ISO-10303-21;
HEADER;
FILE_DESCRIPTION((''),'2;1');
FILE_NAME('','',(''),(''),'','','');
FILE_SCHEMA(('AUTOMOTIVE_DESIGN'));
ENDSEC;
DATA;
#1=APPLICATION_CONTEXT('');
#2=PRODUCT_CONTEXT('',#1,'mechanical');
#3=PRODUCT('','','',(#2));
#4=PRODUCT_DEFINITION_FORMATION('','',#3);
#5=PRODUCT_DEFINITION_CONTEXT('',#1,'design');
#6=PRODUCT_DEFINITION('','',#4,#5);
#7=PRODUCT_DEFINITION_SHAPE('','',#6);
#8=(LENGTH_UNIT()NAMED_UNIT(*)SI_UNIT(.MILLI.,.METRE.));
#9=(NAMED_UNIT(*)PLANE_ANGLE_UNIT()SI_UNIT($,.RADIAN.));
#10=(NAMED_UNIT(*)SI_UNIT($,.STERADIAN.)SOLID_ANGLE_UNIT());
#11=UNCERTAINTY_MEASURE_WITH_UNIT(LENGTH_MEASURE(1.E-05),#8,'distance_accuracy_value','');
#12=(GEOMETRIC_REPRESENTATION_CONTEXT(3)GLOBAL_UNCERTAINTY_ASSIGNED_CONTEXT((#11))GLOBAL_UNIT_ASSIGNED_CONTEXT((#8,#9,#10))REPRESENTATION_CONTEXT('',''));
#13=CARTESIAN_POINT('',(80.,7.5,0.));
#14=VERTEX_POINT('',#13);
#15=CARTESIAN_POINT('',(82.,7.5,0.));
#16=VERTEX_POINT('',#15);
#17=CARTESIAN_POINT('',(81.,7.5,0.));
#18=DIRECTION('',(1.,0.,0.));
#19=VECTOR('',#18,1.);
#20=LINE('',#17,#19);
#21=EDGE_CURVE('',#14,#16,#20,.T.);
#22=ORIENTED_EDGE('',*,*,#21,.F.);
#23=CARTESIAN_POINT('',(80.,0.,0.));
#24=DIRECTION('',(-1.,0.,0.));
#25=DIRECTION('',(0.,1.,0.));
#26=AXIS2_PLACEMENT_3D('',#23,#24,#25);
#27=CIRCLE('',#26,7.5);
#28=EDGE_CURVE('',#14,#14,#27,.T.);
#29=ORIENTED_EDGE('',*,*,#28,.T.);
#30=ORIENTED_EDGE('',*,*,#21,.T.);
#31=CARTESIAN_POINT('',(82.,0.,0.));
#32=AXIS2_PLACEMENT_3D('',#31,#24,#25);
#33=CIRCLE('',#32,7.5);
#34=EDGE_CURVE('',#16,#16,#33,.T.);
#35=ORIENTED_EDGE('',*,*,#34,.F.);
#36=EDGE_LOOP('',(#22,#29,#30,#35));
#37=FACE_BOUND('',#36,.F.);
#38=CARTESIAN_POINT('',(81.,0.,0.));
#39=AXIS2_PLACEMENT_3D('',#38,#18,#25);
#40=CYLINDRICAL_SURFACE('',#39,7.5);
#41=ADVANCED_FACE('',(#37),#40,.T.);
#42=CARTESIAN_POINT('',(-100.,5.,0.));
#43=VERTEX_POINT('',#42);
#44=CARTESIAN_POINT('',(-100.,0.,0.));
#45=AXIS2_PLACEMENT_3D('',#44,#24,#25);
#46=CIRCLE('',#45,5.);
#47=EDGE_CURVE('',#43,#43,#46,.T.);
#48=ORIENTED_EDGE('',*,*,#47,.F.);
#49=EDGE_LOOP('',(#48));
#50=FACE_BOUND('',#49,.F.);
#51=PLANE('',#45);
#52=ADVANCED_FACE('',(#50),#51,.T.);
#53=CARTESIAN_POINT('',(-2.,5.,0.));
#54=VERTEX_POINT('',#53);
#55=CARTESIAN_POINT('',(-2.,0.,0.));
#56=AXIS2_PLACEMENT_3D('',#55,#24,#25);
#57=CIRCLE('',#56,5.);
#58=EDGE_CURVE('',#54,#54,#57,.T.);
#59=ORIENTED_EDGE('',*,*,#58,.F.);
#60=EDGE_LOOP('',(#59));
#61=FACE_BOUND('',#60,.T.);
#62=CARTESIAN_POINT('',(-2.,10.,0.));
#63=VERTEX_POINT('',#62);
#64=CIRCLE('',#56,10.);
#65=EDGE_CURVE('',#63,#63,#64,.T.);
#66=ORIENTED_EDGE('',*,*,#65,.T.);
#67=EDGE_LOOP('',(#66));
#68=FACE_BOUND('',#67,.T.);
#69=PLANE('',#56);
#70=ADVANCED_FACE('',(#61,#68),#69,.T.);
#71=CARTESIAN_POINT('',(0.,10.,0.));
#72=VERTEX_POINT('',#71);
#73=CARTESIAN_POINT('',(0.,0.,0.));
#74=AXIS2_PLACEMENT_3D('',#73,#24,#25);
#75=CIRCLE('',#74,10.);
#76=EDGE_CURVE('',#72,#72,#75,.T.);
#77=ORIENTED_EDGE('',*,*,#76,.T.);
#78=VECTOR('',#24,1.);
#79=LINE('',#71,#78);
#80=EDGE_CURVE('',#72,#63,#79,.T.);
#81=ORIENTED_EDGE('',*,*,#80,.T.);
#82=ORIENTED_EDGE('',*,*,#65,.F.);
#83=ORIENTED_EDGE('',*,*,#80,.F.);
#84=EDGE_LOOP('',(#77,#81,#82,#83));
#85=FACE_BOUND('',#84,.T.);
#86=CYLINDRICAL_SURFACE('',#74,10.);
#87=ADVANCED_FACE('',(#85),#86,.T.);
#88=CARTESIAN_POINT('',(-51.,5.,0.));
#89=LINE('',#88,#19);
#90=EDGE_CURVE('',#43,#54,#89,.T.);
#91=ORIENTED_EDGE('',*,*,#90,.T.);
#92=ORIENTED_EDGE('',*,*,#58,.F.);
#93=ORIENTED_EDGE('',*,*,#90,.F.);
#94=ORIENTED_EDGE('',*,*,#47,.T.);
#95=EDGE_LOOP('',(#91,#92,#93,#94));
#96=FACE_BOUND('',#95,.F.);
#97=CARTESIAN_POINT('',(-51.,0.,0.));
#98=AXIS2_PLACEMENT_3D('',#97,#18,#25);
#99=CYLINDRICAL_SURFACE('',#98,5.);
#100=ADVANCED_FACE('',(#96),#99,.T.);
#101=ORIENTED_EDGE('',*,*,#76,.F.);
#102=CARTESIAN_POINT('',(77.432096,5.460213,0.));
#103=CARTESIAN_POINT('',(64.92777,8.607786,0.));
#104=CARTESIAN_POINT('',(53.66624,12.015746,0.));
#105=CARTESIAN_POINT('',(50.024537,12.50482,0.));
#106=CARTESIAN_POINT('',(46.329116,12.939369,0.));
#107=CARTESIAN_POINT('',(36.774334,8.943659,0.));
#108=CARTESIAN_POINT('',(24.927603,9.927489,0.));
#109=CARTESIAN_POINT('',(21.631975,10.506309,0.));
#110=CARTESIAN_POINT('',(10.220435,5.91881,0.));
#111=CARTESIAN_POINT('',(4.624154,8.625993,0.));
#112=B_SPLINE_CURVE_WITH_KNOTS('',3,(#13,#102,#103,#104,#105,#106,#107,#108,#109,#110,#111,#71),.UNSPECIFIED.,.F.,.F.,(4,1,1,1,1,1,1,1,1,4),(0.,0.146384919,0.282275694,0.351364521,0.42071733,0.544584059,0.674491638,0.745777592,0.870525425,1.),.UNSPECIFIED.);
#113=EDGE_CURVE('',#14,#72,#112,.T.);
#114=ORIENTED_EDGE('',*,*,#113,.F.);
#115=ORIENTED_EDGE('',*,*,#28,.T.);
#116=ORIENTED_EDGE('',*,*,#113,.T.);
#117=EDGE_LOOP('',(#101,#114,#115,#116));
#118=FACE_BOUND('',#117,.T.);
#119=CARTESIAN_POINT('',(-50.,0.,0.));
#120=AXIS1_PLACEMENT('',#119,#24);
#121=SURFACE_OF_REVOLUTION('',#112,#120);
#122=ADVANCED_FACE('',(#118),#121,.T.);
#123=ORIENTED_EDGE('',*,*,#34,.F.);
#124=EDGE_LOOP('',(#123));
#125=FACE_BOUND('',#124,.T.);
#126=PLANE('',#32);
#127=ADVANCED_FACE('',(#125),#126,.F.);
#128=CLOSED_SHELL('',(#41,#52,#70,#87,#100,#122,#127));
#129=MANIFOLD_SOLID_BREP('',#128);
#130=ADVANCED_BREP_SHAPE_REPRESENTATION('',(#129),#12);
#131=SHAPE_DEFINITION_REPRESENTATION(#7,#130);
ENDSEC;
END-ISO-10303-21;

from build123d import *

# Parameters (mm, degrees)
F0_W   = 98
F0_H   = 5
F0_W_2 = 2
F0_H_2 = 7.5


with BuildPart() as f1:
    # F0 (on Top) → F1 (revolve)
    with BuildSketch(Plane.XY):
        with BuildLine():
            Line((0, 10), (0, 0))
            Line((0, 0), (80, 0))
            Line((80, 0), (80, 7.5))
            add(Edge.make_bspline(
                [(80, 7.5), (77.4320963341, 5.4602127374), (64.9277701604, 8.6077862709), (53.6662401112, 12.0157463446), (50.0245369175, 12.5048198747), (46.3291163152, 12.9393686412), (36.7743339747, 8.9436592945), (24.9276027824, 9.9274888653), (21.6319746465, 10.5063086165), (10.220435011, 5.9188095094), (4.6241535969, 8.6259927698), (0, 10)],
                knots=[0, 0, 0, 0, 0.1463849193, 0.2822756936, 0.3513645208, 0.4207173296, 0.544584059, 0.6744916377, 0.7457775925, 0.8705254251, 1, 1, 1, 1], degree=3))
        make_face()
        Polygon((-2, 0), (0, 0), (0, 10), (-2, 10), (-2, 5), align=None)
        with Locations((-51, 2.5)):
            Rectangle(F0_W, F0_H)
        with Locations((81, 3.75)):
            Rectangle(F0_W_2, F0_H_2)
    revolve(axis=Axis((-50, 0, 0), (-1, 0, 0)))


solid = f1.part
